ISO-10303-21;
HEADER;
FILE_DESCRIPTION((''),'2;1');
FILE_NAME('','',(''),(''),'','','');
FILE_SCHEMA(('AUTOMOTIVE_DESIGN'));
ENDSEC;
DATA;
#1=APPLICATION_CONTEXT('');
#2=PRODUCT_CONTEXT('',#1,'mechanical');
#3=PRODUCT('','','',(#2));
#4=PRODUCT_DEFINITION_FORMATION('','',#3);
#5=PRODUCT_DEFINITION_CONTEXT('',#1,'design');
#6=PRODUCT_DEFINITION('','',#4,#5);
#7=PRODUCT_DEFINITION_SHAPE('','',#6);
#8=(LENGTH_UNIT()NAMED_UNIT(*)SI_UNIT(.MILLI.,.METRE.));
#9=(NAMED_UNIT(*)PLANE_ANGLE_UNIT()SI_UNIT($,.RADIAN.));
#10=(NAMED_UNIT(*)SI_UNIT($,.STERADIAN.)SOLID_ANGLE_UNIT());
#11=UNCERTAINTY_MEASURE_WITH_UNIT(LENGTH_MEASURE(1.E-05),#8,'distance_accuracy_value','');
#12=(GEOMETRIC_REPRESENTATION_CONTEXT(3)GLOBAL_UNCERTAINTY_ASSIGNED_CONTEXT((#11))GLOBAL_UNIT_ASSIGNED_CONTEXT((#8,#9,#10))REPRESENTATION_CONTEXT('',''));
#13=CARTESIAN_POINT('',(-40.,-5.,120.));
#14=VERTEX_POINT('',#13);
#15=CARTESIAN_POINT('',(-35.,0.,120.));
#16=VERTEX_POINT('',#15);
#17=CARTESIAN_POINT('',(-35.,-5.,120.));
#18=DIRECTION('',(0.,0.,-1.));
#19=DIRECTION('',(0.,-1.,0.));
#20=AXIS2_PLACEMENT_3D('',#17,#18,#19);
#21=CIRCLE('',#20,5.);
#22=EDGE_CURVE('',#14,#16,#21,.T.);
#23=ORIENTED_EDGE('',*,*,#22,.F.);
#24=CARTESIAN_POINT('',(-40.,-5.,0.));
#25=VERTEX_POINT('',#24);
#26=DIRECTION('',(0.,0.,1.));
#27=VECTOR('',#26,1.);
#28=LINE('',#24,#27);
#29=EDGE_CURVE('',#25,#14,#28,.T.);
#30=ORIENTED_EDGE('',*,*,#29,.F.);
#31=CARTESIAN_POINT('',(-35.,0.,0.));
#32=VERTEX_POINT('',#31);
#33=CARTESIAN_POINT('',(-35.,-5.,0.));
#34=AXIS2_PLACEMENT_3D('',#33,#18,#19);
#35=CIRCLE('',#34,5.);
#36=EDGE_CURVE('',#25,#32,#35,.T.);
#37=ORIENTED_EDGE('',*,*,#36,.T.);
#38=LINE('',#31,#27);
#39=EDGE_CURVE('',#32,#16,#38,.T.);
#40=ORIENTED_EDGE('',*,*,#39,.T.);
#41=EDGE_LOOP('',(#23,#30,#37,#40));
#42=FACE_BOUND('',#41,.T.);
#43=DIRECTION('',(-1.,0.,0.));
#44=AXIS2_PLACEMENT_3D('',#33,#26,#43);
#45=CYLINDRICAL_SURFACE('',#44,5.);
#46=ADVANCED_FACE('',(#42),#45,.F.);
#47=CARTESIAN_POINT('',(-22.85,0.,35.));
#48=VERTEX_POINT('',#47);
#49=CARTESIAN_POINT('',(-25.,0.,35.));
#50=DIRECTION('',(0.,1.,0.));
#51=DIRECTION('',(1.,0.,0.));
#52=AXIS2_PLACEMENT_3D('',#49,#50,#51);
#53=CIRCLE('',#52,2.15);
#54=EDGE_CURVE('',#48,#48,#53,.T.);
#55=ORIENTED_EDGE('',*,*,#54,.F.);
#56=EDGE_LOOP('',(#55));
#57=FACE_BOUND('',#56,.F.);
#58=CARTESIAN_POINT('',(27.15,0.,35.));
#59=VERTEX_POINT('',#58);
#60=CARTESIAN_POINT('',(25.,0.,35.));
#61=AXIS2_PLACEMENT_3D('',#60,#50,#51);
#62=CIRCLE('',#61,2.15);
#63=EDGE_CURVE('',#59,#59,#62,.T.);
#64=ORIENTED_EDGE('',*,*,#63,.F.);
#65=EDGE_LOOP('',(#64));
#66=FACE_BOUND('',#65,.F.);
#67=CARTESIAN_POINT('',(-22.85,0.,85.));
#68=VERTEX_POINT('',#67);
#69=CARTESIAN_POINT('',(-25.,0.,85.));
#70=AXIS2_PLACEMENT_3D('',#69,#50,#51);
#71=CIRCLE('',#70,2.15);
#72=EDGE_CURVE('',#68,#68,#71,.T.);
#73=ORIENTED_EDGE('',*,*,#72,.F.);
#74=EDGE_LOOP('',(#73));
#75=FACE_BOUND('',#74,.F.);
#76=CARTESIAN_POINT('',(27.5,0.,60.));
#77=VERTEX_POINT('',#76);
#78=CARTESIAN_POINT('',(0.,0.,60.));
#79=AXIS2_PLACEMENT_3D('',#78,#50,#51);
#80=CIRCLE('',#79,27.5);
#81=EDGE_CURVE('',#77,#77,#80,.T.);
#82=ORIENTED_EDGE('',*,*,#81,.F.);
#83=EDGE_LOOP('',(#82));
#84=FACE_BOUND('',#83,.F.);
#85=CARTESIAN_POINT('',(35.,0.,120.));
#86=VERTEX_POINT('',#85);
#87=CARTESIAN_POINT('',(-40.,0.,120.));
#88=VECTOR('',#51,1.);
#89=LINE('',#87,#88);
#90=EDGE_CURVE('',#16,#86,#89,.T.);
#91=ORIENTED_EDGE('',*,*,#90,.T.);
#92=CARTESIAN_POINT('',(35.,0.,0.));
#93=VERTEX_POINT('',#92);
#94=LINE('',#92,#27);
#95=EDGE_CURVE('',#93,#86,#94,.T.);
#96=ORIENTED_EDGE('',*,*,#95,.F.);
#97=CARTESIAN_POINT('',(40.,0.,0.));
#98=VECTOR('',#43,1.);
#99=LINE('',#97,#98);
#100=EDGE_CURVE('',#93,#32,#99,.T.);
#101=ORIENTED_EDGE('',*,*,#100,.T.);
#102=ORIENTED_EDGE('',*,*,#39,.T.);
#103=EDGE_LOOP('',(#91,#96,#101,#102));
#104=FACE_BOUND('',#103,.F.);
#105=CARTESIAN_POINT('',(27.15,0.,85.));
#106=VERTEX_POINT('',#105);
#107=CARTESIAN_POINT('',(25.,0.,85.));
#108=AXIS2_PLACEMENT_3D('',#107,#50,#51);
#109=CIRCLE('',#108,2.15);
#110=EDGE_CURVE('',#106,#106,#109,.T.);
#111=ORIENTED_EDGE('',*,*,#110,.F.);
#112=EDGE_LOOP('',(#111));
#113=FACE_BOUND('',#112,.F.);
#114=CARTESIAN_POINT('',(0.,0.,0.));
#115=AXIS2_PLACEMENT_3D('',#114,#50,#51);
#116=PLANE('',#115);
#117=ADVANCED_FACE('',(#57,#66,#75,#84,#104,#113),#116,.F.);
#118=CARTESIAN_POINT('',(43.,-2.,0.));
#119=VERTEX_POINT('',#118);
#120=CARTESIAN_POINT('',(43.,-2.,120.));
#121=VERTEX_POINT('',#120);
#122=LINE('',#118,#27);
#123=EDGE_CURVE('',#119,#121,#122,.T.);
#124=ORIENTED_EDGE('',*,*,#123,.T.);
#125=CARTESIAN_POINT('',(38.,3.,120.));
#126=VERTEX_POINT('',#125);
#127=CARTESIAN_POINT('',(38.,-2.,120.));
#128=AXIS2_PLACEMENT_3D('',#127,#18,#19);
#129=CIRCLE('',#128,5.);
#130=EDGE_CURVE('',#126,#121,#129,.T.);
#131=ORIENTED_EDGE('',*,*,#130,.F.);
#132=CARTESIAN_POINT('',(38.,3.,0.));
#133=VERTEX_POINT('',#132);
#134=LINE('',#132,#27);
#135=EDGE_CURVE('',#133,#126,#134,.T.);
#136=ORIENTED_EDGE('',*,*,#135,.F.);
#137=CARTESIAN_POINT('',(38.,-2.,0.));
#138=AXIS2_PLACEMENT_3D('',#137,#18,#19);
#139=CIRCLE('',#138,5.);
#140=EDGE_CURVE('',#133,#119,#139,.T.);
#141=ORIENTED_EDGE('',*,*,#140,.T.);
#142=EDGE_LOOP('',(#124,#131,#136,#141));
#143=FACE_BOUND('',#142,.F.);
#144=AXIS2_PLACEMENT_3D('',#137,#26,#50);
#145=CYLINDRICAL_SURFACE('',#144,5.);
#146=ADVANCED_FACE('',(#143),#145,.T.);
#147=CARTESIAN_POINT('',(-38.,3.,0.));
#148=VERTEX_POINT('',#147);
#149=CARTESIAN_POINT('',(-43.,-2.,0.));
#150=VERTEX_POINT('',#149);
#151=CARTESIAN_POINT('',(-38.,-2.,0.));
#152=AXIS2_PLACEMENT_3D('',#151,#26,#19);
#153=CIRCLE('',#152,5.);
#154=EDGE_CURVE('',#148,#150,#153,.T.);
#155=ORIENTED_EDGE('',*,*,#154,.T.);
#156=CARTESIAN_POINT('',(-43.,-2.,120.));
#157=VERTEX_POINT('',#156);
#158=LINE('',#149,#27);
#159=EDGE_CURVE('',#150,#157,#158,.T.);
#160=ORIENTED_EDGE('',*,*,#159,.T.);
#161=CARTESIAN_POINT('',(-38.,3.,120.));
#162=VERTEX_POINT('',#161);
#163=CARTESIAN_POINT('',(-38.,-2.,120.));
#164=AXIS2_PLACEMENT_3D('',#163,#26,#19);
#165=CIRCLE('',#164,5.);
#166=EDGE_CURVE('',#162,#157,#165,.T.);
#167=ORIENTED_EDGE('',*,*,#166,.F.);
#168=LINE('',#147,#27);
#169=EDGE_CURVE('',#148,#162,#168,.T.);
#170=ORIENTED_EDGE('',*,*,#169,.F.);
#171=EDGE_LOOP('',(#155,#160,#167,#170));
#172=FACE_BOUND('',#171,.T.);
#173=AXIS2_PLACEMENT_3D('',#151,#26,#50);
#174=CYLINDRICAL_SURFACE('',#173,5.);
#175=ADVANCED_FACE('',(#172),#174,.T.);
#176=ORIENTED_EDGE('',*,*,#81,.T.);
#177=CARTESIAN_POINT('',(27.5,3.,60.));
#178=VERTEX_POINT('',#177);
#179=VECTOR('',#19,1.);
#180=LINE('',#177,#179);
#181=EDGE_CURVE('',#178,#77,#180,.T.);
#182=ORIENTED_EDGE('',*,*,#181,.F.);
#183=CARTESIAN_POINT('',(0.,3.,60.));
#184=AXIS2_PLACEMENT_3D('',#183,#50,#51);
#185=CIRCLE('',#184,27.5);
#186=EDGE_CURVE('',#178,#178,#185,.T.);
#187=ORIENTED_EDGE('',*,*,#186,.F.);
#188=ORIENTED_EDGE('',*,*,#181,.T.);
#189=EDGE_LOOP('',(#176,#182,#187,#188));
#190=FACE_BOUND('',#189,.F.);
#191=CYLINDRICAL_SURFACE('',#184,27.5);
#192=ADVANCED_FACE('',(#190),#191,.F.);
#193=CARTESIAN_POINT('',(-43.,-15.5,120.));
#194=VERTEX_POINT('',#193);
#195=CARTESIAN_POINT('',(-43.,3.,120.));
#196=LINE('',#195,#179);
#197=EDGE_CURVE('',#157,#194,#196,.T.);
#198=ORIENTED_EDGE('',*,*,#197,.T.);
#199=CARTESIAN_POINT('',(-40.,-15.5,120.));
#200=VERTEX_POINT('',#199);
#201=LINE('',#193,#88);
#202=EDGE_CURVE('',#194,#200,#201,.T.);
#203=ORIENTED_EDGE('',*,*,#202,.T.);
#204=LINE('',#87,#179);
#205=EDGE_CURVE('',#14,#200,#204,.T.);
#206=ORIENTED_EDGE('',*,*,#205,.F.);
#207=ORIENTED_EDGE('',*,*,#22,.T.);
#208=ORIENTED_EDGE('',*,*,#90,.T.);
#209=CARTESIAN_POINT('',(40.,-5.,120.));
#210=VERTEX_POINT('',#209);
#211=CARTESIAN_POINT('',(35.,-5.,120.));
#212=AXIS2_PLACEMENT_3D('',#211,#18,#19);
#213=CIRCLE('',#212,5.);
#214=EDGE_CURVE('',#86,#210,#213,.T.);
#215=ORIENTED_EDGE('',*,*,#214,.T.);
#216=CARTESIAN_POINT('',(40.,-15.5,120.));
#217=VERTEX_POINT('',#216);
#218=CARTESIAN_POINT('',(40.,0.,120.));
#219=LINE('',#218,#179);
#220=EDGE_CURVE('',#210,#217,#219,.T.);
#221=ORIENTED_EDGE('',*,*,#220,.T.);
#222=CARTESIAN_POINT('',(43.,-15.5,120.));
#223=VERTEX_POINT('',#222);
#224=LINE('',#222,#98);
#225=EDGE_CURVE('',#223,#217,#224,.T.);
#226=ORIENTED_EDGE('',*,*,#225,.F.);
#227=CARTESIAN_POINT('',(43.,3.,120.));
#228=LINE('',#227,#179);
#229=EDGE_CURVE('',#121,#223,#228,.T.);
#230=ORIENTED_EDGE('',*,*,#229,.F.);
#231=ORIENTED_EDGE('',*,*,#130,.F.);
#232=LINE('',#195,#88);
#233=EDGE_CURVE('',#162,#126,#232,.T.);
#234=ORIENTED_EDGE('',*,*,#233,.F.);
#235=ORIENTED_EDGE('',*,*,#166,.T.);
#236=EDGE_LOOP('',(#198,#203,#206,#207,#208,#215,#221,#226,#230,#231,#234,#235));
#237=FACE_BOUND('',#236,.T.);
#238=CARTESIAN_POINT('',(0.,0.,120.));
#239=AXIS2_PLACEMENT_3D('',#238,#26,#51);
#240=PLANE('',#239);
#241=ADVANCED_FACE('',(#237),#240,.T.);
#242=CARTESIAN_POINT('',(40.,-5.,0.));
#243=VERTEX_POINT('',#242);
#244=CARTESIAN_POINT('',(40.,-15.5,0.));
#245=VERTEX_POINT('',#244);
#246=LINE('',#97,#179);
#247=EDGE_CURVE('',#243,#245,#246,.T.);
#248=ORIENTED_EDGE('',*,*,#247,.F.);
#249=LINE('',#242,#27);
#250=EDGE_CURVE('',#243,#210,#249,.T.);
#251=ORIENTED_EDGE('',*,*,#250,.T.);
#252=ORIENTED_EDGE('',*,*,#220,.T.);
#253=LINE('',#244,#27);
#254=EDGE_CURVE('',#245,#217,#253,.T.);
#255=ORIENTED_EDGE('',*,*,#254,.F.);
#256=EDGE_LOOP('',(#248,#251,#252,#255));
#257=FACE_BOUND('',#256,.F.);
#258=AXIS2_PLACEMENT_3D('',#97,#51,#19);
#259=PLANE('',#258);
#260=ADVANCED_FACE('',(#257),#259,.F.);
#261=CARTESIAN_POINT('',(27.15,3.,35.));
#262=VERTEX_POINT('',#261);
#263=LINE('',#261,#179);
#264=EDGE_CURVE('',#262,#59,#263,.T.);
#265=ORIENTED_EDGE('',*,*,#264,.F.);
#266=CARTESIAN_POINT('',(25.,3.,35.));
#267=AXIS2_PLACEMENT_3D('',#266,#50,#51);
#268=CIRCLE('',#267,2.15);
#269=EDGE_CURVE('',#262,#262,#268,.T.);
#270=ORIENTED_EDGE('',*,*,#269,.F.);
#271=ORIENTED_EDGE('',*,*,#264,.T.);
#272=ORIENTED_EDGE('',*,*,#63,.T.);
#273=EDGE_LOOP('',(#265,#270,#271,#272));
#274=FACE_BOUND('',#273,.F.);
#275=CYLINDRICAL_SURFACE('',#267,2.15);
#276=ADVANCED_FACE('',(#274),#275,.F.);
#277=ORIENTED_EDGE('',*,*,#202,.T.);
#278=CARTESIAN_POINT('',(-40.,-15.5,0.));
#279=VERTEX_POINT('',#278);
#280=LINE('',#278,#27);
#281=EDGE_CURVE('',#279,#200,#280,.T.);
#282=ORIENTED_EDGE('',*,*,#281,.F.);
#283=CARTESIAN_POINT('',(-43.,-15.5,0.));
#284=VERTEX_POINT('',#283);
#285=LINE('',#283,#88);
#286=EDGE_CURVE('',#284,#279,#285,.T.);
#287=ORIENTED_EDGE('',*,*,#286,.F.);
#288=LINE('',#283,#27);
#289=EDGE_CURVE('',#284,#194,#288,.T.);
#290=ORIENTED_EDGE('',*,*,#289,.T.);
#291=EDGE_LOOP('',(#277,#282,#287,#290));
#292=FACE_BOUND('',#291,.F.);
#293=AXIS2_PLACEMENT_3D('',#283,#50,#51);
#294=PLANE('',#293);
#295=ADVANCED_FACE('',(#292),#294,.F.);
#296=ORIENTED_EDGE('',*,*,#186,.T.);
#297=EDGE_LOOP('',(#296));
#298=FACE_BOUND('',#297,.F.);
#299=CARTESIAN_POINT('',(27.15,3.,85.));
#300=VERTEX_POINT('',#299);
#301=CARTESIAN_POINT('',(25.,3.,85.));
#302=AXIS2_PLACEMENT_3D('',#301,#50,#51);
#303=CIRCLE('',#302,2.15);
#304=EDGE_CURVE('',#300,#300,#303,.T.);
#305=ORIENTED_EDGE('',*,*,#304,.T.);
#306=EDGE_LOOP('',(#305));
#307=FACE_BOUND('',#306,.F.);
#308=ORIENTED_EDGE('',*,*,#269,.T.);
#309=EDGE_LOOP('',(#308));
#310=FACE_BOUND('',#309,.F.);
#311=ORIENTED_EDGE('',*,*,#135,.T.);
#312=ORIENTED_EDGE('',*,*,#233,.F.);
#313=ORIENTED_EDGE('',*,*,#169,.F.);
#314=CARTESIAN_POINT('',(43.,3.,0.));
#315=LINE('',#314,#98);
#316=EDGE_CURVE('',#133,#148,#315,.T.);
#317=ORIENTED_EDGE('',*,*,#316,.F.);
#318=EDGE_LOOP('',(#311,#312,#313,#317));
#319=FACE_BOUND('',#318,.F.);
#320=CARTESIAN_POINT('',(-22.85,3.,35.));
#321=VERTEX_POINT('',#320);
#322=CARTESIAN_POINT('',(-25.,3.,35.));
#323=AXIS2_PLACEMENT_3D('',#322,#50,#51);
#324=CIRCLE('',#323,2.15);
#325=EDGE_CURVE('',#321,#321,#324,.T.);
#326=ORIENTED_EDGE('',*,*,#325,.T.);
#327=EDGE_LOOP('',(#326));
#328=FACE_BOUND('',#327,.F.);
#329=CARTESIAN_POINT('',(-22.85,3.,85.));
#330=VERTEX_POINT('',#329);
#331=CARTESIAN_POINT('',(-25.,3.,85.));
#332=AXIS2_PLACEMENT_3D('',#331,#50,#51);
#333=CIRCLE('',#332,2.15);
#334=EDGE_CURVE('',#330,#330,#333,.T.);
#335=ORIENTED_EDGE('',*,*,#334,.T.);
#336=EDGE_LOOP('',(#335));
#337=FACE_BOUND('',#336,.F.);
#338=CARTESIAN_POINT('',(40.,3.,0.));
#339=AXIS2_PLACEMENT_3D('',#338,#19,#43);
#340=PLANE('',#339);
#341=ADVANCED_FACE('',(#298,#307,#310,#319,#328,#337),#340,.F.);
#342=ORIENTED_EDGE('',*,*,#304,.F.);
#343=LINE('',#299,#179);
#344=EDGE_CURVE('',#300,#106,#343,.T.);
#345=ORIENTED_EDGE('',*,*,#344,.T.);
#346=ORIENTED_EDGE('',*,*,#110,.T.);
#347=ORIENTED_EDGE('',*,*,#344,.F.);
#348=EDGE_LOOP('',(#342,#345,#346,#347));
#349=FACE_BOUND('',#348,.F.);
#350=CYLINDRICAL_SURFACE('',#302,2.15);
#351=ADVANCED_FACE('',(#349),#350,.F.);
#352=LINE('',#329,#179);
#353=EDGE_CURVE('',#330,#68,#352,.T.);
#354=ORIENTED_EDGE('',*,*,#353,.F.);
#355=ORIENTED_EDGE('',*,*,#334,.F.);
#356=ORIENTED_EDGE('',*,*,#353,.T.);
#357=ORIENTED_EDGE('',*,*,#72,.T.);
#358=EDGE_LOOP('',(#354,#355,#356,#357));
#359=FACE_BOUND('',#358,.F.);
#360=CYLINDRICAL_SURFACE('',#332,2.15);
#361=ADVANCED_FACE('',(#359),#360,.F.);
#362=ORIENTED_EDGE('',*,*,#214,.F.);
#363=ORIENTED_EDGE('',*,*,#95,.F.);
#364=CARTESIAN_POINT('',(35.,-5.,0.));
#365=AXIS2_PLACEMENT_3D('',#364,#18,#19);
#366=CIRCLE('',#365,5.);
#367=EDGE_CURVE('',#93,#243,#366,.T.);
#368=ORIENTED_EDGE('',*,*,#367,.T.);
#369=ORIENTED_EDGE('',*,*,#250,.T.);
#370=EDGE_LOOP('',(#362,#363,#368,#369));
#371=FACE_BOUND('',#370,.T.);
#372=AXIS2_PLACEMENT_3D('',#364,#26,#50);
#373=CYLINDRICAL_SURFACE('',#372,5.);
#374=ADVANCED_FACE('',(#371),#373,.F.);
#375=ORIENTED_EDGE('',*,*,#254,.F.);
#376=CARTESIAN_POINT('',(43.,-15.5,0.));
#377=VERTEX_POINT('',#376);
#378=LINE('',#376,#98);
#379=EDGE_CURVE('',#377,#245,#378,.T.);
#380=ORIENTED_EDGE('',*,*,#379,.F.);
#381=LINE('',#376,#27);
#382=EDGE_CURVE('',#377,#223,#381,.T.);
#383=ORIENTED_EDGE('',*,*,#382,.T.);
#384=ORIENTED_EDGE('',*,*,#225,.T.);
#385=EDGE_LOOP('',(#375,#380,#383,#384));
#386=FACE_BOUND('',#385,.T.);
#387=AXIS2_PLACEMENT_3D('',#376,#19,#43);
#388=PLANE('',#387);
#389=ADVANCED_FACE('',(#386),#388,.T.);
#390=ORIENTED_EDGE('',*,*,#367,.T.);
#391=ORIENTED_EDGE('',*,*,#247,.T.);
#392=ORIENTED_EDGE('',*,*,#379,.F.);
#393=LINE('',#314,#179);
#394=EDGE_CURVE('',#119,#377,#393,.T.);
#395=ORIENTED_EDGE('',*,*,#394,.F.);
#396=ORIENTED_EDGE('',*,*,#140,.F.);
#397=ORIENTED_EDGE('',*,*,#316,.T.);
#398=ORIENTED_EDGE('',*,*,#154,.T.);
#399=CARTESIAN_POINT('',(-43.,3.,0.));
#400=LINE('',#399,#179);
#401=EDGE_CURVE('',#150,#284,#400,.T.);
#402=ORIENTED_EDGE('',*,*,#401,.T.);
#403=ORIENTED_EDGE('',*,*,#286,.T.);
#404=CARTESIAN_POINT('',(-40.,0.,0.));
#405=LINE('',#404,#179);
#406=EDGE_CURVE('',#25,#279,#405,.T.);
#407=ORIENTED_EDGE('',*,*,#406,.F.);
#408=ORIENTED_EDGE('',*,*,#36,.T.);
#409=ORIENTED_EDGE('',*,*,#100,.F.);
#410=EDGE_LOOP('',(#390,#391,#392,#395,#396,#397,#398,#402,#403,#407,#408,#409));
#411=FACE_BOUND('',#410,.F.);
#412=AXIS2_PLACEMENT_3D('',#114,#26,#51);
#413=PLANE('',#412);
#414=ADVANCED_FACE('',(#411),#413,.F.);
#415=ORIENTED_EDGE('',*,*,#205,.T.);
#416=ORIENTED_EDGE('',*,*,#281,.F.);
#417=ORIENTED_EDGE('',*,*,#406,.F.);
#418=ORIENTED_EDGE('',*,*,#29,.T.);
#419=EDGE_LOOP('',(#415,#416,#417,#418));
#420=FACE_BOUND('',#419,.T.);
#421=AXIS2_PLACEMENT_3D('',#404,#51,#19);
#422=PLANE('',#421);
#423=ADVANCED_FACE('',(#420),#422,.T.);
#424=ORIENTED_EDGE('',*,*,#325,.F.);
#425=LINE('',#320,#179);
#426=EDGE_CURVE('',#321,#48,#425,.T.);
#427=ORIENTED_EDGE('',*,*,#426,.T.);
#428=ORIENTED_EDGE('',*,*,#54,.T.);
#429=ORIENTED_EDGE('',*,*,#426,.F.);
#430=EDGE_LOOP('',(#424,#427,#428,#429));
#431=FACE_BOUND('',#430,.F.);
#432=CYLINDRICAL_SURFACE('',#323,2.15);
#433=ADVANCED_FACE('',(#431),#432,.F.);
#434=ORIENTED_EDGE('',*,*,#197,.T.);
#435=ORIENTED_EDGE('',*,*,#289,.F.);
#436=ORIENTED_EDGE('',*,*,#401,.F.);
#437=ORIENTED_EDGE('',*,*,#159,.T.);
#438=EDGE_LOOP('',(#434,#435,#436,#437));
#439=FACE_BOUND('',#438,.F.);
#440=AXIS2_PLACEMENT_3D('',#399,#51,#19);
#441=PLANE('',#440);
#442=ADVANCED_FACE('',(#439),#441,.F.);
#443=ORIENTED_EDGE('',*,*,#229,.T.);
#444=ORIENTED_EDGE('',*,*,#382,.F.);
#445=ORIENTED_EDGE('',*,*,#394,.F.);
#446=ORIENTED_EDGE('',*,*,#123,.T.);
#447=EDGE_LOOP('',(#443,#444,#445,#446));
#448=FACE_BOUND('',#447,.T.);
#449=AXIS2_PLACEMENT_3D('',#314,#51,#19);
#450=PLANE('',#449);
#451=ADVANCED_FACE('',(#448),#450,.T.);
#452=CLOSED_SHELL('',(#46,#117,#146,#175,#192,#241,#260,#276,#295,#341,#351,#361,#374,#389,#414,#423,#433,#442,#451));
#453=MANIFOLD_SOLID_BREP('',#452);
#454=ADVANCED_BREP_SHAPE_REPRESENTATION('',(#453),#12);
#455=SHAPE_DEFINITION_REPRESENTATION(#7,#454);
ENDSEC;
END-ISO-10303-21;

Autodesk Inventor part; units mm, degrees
ref_plane "YZ Plane" through (0, 0, 0) normal (1, 0, 0) x (0, 1, 0)
ref_plane "XZ Plane" through (0, 0, 0) normal (0, 1, 0) x (-1, 0, 0)
ref_plane "XY Plane" through (0, 0, 0) normal (0, 0, 1) x (1, 0, 0)
sketch "Sketch1" plane through (0, 0, 0) normal (0, 0, 1) x (1, 0, 0)
  line L0 (0, 0) -> (40, 0)
  line L1 (0, 0) -> (0, -20) construction
  line L2 (40, 0) -> (40, -15.5)
  line L3 (0, 0) -> (40, 0)
  line L4 (40, 0) -> (40, 3)
  line L5 (40, 3) -> (0, 3)
  line L6 (0, 3) -> (0, 0)
  line L7 (40, 3) -> (43, 3)
  line L8 (43, 3) -> (43, -15.5)
  line L9 (43, -15.5) -> (40, -15.5)
  line L10 (40, -15.5) -> (40, 3)
  line L11 (0, 0) -> (-40, 0)
  line L12 (-40, 0) -> (-40, -15.5)
  line L13 (-40, 3) -> (0, 3)
  line L14 (-40, 3) -> (-43, 3)
  line L15 (-43, 3) -> (-43, -15.5)
  line L16 (-43, -15.5) -> (-40, -15.5)
  point P0 (41.5, -15.5)
  dimension "d0" = 40
  dimension "d1" = 20
  dimension "d3" = 3
  dimension "d4" = 3
  dimension "d17" = 15.5
extrude "Extrusion1" add sketch "Sketch1" along normal blind 120
sketch "Sketch2" plane through (-43, 3, 0) normal (0, 1, 0) x (1, 0, 0)
  line L0 (86, 0) -> (86, -120) projected
  line L1 (86, -60) -> (0, -60) construction
  line L2 (0, 0) -> (0, -120) projected
  line L3 (68, -35) -> (18, -35) construction
  line L4 (18, -35) -> (18, -85) construction
  line L5 (18, -85) -> (68, -85) construction
  line L6 (68, -85) -> (68, -35) construction
  line L7 (68, -35) -> (18, -85) construction
  line L8 (18, -35) -> (68, -85) construction
  circle A0 centre (68, -85) radius 2.15
  circle A1 centre (18, -85) radius 2.15
  circle A2 centre (68, -35) radius 2.15
  circle A3 centre (18, -35) radius 2.15
  circle A4 centre (43, -60) radius 27.5
  point P0 (43, 0)
  dimension "d7" = 50
  dimension "d8" = 50
  dimension "d9" = 4.3
  dimension "d10" = 4.3
  dimension "d11" = 4.3
  dimension "d12" = 4.3
  dimension "d15" = 55
extrude "Extrusion2" cut sketch "Sketch2" against normal through all
fillet "Fillet1" radius 5 4 edges at (40, 0, 60) (43, 3, 60) (-40, 0, 60) (-43, 3, 60)
properties part number "FanHolder"
